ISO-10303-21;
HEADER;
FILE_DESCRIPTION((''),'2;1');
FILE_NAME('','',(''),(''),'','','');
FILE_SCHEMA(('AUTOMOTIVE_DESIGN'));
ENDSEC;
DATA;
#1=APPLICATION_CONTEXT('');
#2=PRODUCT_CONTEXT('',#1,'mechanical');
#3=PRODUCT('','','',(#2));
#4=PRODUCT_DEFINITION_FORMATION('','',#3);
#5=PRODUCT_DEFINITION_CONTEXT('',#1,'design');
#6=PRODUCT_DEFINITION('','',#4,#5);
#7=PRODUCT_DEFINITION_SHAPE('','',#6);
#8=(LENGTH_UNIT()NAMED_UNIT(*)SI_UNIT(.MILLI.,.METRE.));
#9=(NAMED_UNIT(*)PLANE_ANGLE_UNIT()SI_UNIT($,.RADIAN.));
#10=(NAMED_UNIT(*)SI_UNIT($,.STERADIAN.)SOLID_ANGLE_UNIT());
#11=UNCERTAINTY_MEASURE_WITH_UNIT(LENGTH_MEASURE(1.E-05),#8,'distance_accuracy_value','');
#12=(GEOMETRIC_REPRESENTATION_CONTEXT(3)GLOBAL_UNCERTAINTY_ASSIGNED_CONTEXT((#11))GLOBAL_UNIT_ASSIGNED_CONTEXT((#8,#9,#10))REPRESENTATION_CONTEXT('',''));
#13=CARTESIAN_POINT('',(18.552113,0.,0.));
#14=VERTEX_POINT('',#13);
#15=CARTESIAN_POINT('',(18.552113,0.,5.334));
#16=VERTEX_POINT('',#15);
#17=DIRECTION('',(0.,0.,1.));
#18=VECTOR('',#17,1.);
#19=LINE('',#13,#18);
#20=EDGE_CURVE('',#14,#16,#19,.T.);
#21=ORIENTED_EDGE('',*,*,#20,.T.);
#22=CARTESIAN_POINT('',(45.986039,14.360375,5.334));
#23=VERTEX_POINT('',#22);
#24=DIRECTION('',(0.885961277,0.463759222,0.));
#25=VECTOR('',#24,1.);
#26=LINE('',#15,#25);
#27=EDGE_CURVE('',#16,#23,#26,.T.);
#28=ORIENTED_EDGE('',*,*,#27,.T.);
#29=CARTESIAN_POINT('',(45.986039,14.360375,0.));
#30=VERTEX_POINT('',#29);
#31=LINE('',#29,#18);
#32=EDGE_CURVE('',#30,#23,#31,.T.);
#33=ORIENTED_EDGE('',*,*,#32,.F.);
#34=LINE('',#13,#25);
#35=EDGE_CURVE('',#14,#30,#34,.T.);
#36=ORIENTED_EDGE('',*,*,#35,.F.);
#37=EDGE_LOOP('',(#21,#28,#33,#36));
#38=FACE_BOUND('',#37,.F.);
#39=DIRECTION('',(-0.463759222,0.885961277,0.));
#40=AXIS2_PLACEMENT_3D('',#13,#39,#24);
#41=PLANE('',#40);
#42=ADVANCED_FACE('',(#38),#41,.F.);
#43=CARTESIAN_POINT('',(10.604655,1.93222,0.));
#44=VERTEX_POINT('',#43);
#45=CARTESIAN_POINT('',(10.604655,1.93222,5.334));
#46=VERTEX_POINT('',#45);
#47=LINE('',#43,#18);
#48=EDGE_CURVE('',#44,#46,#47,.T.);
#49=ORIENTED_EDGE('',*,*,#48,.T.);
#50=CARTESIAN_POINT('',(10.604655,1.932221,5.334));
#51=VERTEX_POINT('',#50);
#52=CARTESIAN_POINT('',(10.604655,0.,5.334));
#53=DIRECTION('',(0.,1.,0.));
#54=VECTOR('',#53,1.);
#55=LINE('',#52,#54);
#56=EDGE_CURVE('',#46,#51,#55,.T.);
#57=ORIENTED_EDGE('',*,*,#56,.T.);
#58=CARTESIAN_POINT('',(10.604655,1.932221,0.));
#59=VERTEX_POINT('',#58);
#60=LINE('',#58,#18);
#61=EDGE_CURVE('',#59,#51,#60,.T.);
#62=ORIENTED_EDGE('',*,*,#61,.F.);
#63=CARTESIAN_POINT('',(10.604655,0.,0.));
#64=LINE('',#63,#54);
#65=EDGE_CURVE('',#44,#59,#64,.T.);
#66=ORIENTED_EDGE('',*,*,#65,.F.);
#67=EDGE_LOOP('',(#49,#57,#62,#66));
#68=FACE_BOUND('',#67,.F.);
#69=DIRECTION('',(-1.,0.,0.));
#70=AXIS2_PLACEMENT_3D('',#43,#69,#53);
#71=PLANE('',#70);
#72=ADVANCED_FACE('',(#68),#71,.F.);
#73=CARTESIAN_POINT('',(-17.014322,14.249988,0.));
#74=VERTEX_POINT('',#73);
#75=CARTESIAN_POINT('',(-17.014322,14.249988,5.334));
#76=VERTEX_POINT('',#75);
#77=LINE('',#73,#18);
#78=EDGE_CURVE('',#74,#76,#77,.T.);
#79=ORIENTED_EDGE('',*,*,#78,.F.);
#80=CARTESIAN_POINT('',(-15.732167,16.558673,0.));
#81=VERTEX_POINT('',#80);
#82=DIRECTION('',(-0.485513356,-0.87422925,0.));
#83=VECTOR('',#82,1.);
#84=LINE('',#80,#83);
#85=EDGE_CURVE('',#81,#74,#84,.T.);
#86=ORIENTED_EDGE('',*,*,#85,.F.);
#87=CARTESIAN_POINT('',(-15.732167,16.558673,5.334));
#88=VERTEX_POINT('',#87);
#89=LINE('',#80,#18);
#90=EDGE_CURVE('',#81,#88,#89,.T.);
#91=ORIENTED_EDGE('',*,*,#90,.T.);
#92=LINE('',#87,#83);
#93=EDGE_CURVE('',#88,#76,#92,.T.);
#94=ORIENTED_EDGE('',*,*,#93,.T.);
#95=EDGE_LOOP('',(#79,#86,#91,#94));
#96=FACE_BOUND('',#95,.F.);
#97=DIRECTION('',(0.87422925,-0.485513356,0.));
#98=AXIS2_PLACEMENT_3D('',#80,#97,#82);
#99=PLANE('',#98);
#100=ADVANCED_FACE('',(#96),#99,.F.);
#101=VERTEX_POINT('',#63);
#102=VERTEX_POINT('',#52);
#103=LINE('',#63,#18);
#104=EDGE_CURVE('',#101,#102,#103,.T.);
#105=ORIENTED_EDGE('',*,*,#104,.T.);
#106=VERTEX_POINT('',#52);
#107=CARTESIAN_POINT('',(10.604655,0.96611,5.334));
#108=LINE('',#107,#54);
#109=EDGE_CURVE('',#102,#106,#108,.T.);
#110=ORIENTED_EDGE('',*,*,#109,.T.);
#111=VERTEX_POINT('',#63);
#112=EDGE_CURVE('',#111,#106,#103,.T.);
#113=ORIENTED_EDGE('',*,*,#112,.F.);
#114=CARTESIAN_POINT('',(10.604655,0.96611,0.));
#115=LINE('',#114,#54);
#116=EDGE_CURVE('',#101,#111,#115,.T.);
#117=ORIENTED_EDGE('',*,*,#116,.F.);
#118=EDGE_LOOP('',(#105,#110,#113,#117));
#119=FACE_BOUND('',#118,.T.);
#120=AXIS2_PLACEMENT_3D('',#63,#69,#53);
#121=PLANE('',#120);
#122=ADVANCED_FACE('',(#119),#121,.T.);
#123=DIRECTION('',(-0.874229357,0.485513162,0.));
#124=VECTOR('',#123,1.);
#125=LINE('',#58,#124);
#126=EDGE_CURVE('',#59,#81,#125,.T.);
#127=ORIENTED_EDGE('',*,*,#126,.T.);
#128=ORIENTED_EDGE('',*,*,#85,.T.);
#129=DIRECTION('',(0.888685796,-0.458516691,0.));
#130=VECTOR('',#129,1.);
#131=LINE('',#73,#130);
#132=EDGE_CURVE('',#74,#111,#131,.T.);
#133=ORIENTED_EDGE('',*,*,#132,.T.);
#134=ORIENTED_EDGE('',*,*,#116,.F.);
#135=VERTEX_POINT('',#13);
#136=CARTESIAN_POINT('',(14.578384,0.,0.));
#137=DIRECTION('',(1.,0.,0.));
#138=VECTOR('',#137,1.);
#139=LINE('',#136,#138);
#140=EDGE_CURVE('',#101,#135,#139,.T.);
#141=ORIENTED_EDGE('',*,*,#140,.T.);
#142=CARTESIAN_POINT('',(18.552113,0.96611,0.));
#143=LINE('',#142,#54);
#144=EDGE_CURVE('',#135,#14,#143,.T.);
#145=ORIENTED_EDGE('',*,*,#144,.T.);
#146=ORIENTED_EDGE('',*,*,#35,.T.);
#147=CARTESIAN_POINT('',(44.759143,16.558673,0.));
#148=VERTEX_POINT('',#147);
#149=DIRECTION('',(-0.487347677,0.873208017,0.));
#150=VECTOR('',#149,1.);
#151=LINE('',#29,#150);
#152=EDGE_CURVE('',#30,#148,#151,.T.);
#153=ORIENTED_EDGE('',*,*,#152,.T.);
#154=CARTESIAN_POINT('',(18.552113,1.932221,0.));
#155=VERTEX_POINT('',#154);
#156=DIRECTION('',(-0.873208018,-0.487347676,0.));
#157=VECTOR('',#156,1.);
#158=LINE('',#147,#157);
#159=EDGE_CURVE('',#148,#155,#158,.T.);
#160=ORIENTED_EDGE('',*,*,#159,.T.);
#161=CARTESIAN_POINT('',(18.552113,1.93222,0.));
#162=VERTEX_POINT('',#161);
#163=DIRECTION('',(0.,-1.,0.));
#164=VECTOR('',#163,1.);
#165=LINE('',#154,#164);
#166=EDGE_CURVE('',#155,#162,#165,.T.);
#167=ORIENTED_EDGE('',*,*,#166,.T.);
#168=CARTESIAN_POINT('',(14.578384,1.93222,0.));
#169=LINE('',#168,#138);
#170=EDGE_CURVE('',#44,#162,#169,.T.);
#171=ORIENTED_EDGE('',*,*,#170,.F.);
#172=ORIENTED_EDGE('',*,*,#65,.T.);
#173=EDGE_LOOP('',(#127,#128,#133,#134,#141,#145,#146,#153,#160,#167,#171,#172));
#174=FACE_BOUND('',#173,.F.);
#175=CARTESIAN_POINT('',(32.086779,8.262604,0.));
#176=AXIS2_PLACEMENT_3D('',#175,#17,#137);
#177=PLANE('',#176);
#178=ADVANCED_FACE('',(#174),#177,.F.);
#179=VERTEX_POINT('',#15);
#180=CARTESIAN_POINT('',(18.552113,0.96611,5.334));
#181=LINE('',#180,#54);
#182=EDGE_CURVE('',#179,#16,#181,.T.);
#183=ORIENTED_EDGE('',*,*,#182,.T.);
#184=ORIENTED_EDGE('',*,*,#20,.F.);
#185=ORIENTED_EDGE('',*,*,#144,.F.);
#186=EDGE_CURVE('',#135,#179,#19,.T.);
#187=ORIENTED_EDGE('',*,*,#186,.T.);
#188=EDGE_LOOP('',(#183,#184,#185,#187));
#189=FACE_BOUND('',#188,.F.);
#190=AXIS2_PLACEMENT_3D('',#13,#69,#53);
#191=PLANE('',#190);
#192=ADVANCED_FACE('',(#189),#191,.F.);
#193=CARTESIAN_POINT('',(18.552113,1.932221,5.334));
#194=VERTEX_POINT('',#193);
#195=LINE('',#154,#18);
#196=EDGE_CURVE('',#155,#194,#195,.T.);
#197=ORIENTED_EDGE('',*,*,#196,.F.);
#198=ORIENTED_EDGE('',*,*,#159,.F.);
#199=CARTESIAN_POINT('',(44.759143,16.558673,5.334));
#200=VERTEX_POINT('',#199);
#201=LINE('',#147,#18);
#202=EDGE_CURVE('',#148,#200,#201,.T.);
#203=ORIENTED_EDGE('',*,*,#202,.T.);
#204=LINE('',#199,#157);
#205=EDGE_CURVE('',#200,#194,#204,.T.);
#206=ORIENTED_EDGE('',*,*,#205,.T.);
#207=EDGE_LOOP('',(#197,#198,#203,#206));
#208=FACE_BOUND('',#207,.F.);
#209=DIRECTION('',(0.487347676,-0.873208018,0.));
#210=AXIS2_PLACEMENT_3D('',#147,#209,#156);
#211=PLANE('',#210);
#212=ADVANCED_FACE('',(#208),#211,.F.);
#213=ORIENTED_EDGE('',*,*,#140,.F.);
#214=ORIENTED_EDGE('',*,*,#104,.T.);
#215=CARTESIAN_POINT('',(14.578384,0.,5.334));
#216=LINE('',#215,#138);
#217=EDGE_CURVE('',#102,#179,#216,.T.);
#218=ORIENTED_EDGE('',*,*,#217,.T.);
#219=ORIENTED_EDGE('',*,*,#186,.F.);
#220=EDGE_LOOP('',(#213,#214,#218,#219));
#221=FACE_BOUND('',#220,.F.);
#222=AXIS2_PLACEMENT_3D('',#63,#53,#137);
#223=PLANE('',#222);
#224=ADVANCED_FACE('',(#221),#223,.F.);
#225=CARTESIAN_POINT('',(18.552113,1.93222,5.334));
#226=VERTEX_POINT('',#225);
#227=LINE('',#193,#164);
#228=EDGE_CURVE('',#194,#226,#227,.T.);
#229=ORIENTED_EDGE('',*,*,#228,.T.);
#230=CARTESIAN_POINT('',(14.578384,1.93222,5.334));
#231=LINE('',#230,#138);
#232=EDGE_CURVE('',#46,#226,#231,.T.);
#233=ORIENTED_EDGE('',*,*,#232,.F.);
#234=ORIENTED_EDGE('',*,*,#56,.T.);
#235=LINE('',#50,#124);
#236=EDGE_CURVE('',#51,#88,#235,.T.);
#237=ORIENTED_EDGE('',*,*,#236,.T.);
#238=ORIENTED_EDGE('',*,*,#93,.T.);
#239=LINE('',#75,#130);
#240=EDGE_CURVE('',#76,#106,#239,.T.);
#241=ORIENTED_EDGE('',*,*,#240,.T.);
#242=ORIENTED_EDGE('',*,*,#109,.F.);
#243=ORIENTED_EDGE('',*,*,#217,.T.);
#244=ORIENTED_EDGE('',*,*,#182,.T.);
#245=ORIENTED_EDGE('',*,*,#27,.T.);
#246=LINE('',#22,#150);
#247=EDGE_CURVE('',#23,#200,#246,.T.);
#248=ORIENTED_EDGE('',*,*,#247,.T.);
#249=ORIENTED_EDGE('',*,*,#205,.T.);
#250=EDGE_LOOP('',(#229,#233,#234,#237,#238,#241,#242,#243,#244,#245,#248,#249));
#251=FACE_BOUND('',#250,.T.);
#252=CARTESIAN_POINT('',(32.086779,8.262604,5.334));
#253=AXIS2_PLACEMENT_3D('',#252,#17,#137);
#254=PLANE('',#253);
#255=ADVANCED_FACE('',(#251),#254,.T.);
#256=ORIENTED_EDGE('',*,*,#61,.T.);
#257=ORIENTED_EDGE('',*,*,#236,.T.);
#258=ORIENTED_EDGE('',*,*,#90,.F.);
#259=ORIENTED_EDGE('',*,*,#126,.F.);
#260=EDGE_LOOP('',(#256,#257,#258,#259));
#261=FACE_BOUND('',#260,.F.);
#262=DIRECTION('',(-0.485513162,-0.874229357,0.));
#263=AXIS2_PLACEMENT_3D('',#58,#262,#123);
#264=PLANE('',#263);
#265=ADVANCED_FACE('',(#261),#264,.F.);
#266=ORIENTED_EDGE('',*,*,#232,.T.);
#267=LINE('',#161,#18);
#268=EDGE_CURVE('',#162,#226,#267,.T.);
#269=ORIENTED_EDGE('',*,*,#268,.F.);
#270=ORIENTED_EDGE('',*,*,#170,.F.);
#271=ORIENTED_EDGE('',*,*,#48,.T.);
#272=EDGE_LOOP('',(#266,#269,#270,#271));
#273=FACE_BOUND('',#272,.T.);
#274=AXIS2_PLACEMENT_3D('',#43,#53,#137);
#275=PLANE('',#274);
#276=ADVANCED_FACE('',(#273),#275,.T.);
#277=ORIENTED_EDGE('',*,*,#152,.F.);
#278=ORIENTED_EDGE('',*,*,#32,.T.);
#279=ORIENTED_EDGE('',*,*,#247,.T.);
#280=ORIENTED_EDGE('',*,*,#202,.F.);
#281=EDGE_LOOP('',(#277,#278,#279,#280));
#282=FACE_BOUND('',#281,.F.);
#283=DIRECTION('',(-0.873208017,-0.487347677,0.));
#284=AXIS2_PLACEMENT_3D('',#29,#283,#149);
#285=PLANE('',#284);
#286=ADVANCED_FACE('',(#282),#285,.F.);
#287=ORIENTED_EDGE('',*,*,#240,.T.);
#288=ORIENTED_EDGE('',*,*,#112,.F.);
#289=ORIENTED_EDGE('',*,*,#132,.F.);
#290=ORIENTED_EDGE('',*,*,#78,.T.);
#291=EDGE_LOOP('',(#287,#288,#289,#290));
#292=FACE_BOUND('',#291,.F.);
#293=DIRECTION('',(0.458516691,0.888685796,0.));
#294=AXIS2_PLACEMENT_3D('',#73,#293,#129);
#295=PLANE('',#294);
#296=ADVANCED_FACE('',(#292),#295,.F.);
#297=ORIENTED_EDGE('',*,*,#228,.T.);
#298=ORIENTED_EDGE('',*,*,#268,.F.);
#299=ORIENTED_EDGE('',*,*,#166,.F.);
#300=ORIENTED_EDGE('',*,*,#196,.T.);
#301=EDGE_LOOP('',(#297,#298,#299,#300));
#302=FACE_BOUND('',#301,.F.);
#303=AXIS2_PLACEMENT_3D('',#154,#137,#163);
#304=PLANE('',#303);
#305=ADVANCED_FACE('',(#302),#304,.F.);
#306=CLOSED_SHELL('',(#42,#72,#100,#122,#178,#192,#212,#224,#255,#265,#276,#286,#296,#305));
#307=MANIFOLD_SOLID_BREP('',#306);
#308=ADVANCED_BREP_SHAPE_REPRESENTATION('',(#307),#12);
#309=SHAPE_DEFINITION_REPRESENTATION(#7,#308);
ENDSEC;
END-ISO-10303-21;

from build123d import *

# Parameters (mm, degrees)
F0_W     = 7.947458
F0_H     = 1.932221
F1_DEPTH = 5.334


with BuildPart() as f1:
    # F0 (on Top) → F1 (new body)
    with BuildSketch(Plane.XY):
        Polygon((18.552113, 1.932221), (18.552113, 0), (45.986039, 14.360375), (44.759143, 16.558673), align=None)
        Polygon((-17.014322, 14.249988), (10.604655, 0), (10.604655, 1.932221), (-15.732167, 16.558673), align=None)
        with Locations((14.578384, 0.96611)):
            Rectangle(F0_W, F0_H)
    extrude(amount=F1_DEPTH)


solid = f1.part
